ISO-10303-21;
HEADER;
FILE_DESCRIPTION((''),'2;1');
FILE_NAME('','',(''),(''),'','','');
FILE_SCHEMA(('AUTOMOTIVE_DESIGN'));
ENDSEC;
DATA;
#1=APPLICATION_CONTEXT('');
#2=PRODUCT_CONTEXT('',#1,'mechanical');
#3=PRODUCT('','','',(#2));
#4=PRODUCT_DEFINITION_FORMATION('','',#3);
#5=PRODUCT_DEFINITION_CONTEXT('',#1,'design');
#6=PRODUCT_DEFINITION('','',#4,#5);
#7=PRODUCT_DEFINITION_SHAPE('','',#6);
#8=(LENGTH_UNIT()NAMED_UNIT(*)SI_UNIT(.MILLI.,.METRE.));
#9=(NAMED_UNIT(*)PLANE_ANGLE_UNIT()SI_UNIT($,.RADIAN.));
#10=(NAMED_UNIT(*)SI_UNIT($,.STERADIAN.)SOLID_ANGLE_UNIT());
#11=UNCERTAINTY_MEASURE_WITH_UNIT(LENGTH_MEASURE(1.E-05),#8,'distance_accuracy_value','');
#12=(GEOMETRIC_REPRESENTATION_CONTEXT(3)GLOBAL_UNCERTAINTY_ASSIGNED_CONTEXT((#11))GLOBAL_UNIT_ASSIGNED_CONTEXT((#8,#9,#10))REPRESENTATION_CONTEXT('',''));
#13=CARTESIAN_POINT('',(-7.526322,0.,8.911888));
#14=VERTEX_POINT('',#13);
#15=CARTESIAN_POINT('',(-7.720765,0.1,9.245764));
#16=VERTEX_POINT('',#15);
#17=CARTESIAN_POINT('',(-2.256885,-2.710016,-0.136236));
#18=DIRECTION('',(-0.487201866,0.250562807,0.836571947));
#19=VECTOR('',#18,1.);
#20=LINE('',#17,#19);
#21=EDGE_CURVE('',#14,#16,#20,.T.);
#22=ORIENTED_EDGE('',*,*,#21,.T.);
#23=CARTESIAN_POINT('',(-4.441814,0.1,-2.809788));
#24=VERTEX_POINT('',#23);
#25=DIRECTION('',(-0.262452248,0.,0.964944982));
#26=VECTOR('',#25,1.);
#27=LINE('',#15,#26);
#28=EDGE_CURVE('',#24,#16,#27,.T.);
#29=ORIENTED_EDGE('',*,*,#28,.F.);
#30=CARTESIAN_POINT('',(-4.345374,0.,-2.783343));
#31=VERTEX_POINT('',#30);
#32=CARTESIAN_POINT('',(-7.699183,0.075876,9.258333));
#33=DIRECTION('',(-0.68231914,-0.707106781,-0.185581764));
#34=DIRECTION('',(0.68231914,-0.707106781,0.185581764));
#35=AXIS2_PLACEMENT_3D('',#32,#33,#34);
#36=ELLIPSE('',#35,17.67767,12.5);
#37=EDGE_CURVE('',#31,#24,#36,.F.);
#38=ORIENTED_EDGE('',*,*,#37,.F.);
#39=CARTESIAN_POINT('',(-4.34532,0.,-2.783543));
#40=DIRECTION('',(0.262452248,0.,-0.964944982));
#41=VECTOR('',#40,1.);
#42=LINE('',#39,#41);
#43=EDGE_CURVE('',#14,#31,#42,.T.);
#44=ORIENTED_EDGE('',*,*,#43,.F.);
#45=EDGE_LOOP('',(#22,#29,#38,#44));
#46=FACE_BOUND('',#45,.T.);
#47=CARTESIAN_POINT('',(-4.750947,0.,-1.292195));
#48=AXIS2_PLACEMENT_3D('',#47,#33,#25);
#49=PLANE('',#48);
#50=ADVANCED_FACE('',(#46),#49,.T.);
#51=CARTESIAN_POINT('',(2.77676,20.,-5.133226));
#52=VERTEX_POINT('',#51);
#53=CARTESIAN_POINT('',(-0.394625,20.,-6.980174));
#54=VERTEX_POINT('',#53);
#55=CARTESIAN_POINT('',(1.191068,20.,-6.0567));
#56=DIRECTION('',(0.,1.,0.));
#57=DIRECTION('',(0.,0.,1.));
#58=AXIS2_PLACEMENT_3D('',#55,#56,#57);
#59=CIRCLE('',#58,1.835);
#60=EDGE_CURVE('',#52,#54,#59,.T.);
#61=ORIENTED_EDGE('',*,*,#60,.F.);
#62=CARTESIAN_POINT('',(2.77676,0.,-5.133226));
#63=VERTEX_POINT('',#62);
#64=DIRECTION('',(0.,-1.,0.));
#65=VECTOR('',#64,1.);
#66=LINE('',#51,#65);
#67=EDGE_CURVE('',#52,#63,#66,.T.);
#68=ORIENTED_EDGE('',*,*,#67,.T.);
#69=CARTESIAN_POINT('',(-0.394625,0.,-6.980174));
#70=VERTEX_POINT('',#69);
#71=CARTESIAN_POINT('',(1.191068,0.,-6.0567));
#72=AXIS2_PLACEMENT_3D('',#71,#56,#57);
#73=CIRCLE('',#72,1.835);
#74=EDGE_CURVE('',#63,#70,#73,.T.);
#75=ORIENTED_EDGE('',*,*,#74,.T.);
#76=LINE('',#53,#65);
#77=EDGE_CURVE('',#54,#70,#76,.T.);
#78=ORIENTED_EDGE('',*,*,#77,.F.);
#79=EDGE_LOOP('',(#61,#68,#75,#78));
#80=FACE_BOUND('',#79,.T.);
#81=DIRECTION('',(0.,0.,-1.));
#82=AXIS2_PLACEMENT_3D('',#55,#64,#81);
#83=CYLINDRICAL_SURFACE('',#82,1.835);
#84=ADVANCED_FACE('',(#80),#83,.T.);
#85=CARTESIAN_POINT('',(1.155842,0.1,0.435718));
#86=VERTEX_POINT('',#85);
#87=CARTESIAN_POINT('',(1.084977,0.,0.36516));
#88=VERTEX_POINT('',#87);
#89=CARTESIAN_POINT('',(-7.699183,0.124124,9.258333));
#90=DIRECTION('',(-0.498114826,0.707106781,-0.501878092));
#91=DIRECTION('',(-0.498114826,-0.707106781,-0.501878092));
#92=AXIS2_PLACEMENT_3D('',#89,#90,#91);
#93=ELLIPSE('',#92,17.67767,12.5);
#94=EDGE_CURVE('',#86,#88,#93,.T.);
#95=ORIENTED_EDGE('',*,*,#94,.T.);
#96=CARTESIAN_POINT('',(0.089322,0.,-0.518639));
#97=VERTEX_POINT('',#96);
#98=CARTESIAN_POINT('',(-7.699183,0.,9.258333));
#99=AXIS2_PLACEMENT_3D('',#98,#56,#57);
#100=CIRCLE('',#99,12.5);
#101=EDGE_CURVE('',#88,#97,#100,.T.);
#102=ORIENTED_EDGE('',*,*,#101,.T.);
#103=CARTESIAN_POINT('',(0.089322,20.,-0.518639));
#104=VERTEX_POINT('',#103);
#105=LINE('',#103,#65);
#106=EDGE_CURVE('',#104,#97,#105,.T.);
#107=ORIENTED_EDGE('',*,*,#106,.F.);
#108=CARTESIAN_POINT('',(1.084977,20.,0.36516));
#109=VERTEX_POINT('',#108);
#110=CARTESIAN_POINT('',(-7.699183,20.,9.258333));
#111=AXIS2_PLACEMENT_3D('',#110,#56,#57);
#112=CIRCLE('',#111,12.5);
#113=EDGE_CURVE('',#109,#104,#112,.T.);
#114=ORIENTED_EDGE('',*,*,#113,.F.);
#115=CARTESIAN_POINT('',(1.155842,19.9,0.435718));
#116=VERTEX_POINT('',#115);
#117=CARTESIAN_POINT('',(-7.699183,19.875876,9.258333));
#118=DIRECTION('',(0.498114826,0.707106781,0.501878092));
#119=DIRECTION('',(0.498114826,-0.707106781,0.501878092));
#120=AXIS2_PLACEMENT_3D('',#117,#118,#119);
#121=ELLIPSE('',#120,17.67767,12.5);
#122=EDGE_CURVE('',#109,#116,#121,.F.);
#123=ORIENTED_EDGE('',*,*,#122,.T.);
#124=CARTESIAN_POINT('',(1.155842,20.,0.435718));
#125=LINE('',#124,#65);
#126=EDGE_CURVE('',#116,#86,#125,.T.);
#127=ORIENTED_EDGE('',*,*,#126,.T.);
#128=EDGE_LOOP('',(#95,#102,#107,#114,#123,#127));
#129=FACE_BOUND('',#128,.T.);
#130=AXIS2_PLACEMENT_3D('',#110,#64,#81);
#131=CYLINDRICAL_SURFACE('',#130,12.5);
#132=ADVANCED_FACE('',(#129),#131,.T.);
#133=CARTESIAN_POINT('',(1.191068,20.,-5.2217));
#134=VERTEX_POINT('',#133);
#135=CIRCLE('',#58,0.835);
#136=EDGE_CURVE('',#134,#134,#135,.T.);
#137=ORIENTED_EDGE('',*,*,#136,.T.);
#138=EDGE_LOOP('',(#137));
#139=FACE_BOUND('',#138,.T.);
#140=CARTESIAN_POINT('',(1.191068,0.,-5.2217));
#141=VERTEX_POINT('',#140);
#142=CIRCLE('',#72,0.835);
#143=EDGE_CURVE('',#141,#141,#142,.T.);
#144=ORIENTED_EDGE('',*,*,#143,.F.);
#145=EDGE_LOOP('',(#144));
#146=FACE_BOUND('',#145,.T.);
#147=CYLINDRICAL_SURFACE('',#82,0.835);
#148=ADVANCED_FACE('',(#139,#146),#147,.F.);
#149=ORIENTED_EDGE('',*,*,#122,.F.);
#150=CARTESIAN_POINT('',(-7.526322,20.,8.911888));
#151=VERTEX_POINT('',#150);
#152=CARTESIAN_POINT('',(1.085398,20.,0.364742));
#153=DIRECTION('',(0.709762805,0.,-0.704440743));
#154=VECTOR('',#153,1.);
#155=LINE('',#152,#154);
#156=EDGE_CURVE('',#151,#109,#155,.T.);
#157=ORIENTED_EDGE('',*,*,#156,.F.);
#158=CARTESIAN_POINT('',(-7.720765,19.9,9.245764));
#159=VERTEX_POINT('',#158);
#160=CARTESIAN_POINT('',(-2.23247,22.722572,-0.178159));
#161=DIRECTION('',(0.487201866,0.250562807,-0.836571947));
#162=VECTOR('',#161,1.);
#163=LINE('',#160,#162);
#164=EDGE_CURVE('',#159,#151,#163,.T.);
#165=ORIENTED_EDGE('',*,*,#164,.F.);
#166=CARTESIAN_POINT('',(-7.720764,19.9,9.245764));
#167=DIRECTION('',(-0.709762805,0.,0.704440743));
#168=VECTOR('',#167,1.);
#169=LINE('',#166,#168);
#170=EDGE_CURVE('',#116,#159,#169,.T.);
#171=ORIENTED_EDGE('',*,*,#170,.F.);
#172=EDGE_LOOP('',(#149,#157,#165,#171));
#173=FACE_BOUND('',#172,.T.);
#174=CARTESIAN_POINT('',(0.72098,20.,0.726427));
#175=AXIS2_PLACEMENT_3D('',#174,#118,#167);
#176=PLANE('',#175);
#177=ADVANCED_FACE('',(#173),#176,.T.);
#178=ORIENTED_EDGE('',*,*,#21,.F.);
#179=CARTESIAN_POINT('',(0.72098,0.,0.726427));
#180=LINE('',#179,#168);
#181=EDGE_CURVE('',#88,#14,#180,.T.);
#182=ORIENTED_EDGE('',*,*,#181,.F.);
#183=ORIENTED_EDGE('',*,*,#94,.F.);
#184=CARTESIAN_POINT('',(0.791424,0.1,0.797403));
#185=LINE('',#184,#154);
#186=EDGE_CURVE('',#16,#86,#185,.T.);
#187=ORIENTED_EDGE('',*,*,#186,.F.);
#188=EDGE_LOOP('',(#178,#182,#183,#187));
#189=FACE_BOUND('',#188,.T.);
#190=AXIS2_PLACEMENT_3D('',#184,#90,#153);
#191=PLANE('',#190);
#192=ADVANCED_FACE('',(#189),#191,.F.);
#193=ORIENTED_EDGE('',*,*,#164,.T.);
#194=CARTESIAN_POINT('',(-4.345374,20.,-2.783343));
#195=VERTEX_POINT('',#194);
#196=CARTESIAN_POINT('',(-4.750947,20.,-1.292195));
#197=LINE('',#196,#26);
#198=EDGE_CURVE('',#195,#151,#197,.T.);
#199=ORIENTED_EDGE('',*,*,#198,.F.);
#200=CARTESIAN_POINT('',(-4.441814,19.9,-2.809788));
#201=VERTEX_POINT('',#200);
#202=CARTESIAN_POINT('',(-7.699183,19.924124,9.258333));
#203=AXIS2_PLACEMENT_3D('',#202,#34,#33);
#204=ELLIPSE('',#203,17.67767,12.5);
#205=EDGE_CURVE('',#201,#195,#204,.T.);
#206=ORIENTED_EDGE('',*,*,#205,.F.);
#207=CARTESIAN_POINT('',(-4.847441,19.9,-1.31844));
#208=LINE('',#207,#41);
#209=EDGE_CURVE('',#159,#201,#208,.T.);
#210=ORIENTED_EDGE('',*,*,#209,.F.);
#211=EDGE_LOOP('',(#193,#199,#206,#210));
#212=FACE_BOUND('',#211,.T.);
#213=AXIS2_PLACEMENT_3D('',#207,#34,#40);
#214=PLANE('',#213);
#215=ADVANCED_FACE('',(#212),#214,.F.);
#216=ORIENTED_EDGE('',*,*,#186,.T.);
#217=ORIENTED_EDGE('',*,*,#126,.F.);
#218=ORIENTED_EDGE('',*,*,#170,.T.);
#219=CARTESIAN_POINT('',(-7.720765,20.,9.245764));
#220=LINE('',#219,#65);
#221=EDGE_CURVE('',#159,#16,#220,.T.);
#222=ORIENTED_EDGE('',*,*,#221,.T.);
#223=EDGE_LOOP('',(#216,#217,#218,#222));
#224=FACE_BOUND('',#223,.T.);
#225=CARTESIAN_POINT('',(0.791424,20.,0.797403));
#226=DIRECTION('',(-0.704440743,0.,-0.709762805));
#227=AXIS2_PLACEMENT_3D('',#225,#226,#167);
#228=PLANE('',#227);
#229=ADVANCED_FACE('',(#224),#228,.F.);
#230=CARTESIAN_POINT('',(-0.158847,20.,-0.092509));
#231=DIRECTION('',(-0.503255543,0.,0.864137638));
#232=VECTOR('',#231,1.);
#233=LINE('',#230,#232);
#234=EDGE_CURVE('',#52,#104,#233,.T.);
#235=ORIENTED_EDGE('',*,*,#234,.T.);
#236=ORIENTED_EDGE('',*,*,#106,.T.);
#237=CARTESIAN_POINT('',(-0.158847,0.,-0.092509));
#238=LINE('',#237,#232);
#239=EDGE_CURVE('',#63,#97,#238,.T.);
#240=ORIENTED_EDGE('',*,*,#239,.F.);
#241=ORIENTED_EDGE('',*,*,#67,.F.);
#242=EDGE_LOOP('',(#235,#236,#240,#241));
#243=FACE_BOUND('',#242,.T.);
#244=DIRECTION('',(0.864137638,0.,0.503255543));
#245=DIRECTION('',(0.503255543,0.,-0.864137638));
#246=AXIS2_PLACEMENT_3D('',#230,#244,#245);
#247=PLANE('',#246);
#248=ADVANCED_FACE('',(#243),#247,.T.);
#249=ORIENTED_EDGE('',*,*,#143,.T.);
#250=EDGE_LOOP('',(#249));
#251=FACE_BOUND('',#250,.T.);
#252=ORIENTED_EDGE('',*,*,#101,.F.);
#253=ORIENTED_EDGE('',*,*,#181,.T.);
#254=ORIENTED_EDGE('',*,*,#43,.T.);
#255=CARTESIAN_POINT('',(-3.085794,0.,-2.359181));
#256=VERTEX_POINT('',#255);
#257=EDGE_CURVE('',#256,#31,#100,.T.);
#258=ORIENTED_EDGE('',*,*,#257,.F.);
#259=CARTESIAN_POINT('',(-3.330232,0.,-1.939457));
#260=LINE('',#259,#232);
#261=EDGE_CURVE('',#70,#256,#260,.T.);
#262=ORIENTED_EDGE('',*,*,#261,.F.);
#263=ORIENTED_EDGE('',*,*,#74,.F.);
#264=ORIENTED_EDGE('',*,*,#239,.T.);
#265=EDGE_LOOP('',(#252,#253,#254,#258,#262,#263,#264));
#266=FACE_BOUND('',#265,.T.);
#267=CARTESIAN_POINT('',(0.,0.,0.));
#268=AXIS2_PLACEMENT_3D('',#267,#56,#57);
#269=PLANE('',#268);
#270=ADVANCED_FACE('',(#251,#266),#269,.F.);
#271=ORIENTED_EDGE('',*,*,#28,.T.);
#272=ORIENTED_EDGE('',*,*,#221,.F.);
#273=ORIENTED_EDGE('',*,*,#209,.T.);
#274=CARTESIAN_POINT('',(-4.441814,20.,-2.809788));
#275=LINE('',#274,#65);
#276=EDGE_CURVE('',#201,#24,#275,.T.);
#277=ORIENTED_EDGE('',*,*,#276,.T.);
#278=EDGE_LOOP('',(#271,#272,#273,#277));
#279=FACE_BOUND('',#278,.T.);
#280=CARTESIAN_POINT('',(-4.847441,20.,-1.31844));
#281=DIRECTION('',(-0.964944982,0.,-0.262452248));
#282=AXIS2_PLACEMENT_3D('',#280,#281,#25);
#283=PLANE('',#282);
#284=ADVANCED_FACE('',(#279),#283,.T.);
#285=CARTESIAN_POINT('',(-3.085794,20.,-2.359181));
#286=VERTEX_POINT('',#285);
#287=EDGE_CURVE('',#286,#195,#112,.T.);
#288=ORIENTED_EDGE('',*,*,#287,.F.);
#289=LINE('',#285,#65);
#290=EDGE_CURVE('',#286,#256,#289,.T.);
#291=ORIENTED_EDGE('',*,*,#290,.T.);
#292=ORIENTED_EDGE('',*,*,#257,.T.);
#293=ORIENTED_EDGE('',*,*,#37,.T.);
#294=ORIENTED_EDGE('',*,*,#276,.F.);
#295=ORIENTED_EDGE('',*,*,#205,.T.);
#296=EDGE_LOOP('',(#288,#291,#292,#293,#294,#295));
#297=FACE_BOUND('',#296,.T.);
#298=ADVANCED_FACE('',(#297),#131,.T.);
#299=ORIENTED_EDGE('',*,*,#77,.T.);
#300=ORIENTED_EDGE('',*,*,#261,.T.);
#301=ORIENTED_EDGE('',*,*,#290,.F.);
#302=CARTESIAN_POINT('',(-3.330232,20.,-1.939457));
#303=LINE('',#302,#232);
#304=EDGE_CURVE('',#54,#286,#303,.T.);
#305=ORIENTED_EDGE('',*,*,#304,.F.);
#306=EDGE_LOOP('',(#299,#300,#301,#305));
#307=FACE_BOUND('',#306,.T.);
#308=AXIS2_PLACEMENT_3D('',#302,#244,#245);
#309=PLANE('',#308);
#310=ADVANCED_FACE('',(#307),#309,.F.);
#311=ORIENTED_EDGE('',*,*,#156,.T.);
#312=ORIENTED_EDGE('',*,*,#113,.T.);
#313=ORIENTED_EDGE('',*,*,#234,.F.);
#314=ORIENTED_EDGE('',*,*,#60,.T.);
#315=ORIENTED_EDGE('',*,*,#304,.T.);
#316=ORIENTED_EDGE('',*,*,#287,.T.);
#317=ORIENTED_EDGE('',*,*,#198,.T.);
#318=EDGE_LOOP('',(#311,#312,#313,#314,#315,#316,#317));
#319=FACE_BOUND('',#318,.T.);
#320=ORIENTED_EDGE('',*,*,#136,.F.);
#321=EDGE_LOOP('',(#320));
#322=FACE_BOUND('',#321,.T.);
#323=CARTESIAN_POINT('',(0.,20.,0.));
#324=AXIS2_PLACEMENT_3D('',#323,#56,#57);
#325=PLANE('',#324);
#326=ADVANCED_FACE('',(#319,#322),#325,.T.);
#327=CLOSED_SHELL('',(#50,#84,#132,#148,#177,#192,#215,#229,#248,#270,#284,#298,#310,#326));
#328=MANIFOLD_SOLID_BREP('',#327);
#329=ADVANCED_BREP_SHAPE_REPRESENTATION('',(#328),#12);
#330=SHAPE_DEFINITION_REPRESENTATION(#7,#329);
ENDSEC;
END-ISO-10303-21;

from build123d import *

# Parameters (mm, degrees)
SKETCH1_R           = 0.835
BOSS_EXTRUDE1_DEPTH = 20
CHAMFER1_SIZE       = 0.1


with BuildPart() as part:
    # Sketch1 → Boss-Extrude1 (new body)
    with BuildSketch(Plane(origin=(0, 0, 0), x_dir=(1, 0, 0), z_dir=(0, 1, 0))):
        with BuildLine():
            Line((2.776760362, 5.133225937), (0.142399779, 0.609778229))
            Line((0.142399779, 0.609778229), (0.0893221, 0.518638806))
            ThreePointArc((0.0893221, 0.518638806), (0.636251586, 0.056736494), (1.155841613, -0.435718389))
            Line((1.155841613, -0.435718389), (-7.720764547, -9.245763982))
            Line((-7.720764547, -9.245763982), (-4.441814223, 2.809787769))
            ThreePointArc((-4.441814223, 2.809787769), (-3.757359805, 2.60387674), (-3.085793629, 2.359180862))
            Line((-3.085793629, 2.359180862), (-3.030668296, 2.453836303))
            Line((-3.030668296, 2.453836303), (-0.394624771, 6.980173781))
            ThreePointArc((-0.394624771, 6.980173781), (2.114541718, 7.642392425), (2.776760362, 5.133225937))
        make_face()
        with Locations(Location((1.191067796, 6.056699859, 0), (0, 0, 270))):
            Circle(SKETCH1_R, mode=Mode.SUBTRACT)
    extrude(amount=BOSS_EXTRUDE1_DEPTH)

    # Chamfer1
    chamfer1_edges = [part.edges().sort_by_distance(p)[0] for p in [
        (-3.282461467, 20, 4.840741186),
        (-3.282461467, 0, 4.840741186),
        (-6.081289385, 20, 3.217988107),
        (-6.081289385, 0, 3.217988107),
    ]]
    chamfer(chamfer1_edges, length=CHAMFER1_SIZE)


solid = part.part
